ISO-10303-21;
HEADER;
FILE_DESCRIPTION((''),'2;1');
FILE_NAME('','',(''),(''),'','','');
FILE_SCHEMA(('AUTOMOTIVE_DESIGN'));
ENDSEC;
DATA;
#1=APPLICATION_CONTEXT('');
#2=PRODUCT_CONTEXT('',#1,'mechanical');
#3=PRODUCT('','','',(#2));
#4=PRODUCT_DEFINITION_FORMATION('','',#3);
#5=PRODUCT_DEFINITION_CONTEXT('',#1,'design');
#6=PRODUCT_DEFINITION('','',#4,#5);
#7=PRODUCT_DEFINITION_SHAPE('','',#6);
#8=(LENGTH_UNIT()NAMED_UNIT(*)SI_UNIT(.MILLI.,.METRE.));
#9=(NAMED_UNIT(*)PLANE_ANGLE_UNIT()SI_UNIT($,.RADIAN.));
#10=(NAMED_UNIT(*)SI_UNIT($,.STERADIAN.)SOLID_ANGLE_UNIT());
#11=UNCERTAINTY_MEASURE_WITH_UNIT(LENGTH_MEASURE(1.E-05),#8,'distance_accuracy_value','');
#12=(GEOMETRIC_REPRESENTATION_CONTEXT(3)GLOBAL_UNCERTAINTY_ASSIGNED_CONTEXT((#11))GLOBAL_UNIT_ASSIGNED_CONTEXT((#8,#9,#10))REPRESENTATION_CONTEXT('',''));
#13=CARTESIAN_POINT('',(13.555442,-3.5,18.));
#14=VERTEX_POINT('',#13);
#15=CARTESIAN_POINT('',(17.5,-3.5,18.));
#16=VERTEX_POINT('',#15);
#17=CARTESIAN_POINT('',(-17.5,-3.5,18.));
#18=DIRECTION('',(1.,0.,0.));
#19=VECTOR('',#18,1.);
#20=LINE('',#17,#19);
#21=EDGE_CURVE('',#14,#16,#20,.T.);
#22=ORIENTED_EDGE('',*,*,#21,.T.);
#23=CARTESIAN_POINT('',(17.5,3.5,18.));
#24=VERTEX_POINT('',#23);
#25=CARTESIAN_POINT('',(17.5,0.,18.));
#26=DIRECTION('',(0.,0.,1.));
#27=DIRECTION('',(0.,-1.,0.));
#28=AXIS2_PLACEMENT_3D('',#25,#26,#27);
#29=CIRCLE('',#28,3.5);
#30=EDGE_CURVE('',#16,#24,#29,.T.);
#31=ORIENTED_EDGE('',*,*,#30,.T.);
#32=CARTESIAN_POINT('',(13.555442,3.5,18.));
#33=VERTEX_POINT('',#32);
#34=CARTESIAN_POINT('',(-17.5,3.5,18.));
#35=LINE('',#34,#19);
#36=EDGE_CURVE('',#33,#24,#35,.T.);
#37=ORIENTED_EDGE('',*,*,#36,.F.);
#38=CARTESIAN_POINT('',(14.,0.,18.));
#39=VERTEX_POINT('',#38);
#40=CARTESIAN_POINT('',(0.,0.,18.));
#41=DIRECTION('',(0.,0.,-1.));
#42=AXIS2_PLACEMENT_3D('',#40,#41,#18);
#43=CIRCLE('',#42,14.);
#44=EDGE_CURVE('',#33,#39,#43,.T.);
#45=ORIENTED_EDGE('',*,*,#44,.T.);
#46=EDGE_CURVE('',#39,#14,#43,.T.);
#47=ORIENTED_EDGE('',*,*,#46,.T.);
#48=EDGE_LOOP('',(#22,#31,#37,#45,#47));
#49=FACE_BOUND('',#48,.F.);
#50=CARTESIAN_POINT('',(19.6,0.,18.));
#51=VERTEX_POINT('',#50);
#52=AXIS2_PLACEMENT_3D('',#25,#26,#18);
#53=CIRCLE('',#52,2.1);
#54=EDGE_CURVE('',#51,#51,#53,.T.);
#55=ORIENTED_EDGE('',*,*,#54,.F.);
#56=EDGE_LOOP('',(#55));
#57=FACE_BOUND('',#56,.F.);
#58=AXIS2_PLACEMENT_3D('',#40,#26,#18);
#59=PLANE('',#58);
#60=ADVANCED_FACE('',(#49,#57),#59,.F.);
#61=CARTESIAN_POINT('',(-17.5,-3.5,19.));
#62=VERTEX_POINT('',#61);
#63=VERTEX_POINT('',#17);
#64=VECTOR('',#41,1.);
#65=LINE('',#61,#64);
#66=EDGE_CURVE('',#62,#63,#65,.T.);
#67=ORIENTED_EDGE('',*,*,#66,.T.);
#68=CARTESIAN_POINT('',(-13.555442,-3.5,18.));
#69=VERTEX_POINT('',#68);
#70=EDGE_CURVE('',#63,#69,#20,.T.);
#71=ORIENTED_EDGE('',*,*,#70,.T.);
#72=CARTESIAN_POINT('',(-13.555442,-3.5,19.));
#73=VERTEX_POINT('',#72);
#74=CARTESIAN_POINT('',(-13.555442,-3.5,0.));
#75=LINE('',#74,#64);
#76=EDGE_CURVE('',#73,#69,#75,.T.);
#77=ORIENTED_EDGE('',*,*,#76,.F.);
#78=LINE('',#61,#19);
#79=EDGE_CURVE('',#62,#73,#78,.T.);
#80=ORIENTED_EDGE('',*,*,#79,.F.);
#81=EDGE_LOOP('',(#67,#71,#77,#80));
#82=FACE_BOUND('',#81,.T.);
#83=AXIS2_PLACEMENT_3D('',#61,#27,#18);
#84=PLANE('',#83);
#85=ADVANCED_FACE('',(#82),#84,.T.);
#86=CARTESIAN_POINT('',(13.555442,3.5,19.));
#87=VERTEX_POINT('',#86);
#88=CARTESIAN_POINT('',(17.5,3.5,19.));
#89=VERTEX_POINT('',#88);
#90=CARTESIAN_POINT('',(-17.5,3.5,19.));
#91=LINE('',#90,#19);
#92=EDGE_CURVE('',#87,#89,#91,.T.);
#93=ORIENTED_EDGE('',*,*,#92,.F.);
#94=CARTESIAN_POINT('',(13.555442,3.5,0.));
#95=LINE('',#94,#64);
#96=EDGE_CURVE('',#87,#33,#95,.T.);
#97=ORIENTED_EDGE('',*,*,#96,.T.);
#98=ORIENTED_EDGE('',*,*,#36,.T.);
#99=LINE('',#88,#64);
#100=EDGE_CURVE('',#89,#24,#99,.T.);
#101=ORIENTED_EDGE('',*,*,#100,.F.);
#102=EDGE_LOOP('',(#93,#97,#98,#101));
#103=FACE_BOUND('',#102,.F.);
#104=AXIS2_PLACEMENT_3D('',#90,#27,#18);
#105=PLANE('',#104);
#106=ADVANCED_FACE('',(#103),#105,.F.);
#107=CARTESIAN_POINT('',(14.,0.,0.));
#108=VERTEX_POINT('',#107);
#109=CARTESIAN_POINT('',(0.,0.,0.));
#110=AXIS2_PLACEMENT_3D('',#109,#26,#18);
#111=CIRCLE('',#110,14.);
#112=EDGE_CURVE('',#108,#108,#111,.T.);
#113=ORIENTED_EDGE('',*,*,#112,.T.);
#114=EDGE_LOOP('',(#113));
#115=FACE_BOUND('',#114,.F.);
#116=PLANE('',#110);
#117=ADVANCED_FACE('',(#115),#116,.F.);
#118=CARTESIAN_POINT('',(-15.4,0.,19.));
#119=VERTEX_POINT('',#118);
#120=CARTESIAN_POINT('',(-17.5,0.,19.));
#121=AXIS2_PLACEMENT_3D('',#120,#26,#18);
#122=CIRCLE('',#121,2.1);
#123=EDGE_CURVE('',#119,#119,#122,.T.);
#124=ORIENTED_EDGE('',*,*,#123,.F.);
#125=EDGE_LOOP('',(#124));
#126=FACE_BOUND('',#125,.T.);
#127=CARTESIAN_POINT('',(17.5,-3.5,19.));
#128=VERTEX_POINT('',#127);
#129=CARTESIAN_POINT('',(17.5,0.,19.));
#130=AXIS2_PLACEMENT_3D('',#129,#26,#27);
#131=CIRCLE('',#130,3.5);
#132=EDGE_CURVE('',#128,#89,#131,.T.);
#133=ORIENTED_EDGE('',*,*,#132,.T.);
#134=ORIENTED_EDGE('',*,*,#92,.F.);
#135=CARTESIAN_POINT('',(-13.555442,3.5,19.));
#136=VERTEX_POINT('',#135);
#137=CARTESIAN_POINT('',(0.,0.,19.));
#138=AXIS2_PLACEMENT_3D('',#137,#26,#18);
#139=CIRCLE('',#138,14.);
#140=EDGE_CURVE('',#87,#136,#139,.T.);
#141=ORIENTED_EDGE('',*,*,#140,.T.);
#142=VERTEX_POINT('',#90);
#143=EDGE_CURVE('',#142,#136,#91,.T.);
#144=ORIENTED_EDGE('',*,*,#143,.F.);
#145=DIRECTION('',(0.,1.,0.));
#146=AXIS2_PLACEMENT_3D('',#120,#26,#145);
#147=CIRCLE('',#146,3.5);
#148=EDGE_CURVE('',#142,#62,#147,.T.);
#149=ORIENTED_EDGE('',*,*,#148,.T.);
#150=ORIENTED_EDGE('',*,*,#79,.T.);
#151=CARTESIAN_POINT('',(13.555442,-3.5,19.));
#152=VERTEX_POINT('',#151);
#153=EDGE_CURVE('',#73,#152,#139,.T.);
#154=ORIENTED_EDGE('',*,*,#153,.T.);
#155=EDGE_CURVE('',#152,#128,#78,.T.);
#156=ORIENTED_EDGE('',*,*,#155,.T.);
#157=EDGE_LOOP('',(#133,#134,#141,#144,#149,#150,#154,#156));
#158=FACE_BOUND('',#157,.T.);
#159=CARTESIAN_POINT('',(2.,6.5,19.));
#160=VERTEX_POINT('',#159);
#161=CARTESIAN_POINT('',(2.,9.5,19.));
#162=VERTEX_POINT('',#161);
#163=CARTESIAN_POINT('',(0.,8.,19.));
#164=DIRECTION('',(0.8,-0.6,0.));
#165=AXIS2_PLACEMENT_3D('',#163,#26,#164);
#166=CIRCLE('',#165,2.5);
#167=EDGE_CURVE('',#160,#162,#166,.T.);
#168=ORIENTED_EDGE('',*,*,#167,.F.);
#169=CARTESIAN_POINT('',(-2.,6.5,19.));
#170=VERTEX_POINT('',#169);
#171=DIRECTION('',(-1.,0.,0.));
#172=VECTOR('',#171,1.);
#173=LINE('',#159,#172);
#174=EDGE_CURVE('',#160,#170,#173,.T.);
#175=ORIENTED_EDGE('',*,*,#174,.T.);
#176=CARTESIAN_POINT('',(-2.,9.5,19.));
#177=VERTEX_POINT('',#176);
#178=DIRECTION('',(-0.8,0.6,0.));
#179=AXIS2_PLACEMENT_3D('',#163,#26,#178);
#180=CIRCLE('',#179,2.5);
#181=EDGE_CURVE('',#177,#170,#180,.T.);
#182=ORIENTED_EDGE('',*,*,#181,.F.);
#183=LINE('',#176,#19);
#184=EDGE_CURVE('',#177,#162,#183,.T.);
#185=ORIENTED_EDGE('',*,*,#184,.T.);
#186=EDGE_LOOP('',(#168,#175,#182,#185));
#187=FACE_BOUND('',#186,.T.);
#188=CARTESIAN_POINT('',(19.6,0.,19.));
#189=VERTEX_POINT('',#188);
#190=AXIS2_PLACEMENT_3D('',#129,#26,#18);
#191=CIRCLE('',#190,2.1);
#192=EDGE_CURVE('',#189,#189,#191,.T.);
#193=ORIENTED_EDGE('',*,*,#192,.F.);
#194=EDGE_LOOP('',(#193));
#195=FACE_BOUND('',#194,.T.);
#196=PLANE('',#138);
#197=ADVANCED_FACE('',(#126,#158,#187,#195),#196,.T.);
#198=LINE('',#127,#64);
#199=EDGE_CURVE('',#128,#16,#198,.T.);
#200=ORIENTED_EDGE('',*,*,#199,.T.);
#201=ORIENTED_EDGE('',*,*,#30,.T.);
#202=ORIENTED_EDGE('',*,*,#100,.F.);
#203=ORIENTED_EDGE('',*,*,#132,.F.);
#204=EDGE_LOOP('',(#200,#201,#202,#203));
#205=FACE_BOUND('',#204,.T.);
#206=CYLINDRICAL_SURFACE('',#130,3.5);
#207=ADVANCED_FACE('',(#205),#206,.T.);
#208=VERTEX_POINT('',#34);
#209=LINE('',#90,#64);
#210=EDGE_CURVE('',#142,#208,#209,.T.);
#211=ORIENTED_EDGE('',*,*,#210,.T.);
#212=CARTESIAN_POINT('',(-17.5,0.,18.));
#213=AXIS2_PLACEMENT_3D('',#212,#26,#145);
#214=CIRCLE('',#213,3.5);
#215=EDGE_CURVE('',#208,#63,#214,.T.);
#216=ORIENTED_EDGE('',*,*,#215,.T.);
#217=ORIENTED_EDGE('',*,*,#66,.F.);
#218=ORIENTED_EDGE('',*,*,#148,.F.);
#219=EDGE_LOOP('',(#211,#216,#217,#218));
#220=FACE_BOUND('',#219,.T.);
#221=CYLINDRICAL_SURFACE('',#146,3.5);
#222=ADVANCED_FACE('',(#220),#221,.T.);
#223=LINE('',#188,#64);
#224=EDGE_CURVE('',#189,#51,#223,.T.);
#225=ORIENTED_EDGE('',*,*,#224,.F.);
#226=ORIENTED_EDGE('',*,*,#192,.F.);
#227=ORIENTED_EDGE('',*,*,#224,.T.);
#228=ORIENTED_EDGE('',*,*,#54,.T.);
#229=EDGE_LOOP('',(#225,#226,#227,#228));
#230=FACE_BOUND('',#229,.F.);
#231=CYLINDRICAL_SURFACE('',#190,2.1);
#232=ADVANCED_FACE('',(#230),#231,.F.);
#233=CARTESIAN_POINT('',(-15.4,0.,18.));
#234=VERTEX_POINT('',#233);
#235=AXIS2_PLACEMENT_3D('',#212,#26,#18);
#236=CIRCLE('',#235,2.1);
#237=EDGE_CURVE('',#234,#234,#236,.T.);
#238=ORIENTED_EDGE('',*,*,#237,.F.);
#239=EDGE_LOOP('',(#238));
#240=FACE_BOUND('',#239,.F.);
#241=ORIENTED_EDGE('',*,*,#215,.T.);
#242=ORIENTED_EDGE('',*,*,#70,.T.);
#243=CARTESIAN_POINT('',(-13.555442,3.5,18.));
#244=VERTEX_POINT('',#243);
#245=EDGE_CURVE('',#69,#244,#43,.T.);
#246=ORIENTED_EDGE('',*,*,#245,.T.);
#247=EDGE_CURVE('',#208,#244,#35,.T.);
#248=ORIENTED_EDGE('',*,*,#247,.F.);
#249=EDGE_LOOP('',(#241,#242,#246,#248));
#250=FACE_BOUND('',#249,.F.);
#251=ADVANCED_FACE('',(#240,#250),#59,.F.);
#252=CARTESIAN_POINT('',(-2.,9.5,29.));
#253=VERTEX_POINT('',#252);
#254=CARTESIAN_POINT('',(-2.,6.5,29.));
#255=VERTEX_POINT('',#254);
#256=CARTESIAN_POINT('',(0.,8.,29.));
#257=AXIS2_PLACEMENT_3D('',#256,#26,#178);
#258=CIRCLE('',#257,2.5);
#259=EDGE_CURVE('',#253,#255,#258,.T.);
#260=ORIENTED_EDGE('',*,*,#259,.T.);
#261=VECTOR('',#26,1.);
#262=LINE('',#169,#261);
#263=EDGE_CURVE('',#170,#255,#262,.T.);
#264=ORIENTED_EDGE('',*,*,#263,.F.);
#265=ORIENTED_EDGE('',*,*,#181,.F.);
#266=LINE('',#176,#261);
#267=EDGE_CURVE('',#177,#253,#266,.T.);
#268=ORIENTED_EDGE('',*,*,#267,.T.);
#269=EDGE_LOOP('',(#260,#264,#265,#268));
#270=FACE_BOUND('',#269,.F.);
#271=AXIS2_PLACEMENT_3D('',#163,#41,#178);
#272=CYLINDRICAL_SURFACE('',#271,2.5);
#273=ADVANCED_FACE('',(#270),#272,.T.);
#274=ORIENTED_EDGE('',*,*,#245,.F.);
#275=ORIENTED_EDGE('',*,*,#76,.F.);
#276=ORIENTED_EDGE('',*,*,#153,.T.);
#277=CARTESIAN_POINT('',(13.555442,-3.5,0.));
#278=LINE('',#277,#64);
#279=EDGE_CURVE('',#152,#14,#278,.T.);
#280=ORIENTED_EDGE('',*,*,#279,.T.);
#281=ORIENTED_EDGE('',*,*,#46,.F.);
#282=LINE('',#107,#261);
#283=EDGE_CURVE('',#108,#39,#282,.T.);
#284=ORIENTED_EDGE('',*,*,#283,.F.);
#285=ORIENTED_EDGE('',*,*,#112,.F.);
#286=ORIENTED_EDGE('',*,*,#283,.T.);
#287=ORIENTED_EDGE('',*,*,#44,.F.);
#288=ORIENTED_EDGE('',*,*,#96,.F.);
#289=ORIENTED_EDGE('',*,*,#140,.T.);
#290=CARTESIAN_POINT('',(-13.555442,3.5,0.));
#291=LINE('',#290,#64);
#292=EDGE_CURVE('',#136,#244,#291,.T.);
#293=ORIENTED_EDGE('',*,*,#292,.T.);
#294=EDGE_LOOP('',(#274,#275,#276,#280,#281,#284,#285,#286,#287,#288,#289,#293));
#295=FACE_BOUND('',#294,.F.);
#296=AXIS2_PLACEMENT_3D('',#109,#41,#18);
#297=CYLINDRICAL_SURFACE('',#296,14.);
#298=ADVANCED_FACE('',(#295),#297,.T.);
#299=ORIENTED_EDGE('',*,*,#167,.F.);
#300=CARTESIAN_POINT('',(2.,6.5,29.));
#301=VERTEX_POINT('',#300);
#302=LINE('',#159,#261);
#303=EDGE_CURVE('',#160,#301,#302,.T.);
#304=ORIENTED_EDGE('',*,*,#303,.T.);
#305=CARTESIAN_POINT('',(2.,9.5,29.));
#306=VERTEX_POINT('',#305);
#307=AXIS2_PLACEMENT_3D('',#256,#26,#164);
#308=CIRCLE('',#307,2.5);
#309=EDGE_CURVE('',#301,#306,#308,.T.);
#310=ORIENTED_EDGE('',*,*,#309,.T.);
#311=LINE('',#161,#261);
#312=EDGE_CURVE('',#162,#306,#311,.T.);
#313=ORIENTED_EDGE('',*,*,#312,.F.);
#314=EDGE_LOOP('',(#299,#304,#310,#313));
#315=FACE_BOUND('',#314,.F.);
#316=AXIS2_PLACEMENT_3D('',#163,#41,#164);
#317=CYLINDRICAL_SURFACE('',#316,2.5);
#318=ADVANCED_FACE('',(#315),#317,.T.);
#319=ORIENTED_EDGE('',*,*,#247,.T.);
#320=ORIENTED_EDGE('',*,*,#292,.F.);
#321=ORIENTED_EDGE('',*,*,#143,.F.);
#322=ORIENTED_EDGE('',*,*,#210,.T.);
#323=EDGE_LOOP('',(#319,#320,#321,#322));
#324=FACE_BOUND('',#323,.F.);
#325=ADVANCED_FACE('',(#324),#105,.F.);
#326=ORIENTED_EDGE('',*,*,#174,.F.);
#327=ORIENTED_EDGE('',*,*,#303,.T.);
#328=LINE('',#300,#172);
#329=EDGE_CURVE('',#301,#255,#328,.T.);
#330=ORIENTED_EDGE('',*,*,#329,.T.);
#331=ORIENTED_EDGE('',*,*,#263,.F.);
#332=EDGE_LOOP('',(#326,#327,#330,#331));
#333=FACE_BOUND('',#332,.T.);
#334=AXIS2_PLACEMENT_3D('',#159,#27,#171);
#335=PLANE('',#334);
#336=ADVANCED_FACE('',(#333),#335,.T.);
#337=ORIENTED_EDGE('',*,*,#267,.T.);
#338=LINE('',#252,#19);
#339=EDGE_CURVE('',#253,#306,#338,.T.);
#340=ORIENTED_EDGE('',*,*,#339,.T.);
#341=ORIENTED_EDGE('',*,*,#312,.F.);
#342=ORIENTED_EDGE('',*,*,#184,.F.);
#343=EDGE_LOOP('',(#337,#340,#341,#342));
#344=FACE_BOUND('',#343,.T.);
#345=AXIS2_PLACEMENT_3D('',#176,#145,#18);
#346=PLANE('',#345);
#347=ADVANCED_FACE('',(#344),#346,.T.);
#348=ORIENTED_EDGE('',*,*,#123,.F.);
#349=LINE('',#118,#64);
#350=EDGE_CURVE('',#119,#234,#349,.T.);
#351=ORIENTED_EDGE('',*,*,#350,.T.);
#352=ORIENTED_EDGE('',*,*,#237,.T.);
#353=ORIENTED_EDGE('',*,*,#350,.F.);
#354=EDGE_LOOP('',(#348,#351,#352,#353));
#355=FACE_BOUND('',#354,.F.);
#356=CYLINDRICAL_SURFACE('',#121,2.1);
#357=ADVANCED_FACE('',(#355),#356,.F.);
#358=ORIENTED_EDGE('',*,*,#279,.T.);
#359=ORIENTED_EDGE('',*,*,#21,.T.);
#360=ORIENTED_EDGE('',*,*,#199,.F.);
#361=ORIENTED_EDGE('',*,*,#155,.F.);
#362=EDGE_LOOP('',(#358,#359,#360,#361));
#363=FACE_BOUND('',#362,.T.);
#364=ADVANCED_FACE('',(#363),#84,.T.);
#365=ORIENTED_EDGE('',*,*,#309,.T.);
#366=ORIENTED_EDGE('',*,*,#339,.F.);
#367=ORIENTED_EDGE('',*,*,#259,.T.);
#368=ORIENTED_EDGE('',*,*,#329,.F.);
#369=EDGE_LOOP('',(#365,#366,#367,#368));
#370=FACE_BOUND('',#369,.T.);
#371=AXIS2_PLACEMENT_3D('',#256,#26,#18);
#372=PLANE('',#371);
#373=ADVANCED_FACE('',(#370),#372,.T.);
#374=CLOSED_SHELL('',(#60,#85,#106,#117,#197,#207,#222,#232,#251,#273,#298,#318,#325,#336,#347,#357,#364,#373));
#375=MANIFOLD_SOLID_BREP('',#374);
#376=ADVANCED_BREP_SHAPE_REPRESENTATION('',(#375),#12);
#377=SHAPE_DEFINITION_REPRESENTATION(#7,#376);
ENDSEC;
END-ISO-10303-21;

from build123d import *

# Parameters (mm, degrees)
SKETCH_R     = 14
PAD_DEPTH    = 19
PAD001_DEPTH = 10
SKETCH002_R  = 2.1
PAD002_DEPTH = 1


with BuildPart() as part:
    # Sketch → Pad (new body)
    with BuildSketch(Plane.XY):
        Circle(SKETCH_R)
    extrude(amount=PAD_DEPTH)

    # Sketch001 → Pad001 (new body)
    with BuildSketch(Plane.XY.offset(19)):
        with BuildLine():
            ThreePointArc((-2, 9.5), (-2.5, 8), (-2, 6.5))
            Line((2, 6.5), (-2, 6.5))
            ThreePointArc((2, 6.5), (2.5, 8), (2, 9.5))
            Line((-2, 9.5), (2, 9.5))
        make_face()
    extrude(amount=PAD001_DEPTH)

    # Sketch002 → Pad002 (new body)
    with BuildSketch(Plane.XY.offset(19)):
        with BuildLine():
            ThreePointArc((-17.5, 3.5), (-21, 0), (-17.5, -3.5))
            Line((-17.5, -3.5), (17.5, -3.5))
            ThreePointArc((17.5, -3.5), (21, 0), (17.5, 3.5))
            Line((-17.5, 3.5), (17.5, 3.5))
        make_face()
        with Locations((-17.5, 0)):
            Circle(SKETCH002_R, mode=Mode.SUBTRACT)
        with Locations((17.5, 0)):
            Circle(SKETCH002_R, mode=Mode.SUBTRACT)
    extrude(amount=-PAD002_DEPTH)


solid = part.part
